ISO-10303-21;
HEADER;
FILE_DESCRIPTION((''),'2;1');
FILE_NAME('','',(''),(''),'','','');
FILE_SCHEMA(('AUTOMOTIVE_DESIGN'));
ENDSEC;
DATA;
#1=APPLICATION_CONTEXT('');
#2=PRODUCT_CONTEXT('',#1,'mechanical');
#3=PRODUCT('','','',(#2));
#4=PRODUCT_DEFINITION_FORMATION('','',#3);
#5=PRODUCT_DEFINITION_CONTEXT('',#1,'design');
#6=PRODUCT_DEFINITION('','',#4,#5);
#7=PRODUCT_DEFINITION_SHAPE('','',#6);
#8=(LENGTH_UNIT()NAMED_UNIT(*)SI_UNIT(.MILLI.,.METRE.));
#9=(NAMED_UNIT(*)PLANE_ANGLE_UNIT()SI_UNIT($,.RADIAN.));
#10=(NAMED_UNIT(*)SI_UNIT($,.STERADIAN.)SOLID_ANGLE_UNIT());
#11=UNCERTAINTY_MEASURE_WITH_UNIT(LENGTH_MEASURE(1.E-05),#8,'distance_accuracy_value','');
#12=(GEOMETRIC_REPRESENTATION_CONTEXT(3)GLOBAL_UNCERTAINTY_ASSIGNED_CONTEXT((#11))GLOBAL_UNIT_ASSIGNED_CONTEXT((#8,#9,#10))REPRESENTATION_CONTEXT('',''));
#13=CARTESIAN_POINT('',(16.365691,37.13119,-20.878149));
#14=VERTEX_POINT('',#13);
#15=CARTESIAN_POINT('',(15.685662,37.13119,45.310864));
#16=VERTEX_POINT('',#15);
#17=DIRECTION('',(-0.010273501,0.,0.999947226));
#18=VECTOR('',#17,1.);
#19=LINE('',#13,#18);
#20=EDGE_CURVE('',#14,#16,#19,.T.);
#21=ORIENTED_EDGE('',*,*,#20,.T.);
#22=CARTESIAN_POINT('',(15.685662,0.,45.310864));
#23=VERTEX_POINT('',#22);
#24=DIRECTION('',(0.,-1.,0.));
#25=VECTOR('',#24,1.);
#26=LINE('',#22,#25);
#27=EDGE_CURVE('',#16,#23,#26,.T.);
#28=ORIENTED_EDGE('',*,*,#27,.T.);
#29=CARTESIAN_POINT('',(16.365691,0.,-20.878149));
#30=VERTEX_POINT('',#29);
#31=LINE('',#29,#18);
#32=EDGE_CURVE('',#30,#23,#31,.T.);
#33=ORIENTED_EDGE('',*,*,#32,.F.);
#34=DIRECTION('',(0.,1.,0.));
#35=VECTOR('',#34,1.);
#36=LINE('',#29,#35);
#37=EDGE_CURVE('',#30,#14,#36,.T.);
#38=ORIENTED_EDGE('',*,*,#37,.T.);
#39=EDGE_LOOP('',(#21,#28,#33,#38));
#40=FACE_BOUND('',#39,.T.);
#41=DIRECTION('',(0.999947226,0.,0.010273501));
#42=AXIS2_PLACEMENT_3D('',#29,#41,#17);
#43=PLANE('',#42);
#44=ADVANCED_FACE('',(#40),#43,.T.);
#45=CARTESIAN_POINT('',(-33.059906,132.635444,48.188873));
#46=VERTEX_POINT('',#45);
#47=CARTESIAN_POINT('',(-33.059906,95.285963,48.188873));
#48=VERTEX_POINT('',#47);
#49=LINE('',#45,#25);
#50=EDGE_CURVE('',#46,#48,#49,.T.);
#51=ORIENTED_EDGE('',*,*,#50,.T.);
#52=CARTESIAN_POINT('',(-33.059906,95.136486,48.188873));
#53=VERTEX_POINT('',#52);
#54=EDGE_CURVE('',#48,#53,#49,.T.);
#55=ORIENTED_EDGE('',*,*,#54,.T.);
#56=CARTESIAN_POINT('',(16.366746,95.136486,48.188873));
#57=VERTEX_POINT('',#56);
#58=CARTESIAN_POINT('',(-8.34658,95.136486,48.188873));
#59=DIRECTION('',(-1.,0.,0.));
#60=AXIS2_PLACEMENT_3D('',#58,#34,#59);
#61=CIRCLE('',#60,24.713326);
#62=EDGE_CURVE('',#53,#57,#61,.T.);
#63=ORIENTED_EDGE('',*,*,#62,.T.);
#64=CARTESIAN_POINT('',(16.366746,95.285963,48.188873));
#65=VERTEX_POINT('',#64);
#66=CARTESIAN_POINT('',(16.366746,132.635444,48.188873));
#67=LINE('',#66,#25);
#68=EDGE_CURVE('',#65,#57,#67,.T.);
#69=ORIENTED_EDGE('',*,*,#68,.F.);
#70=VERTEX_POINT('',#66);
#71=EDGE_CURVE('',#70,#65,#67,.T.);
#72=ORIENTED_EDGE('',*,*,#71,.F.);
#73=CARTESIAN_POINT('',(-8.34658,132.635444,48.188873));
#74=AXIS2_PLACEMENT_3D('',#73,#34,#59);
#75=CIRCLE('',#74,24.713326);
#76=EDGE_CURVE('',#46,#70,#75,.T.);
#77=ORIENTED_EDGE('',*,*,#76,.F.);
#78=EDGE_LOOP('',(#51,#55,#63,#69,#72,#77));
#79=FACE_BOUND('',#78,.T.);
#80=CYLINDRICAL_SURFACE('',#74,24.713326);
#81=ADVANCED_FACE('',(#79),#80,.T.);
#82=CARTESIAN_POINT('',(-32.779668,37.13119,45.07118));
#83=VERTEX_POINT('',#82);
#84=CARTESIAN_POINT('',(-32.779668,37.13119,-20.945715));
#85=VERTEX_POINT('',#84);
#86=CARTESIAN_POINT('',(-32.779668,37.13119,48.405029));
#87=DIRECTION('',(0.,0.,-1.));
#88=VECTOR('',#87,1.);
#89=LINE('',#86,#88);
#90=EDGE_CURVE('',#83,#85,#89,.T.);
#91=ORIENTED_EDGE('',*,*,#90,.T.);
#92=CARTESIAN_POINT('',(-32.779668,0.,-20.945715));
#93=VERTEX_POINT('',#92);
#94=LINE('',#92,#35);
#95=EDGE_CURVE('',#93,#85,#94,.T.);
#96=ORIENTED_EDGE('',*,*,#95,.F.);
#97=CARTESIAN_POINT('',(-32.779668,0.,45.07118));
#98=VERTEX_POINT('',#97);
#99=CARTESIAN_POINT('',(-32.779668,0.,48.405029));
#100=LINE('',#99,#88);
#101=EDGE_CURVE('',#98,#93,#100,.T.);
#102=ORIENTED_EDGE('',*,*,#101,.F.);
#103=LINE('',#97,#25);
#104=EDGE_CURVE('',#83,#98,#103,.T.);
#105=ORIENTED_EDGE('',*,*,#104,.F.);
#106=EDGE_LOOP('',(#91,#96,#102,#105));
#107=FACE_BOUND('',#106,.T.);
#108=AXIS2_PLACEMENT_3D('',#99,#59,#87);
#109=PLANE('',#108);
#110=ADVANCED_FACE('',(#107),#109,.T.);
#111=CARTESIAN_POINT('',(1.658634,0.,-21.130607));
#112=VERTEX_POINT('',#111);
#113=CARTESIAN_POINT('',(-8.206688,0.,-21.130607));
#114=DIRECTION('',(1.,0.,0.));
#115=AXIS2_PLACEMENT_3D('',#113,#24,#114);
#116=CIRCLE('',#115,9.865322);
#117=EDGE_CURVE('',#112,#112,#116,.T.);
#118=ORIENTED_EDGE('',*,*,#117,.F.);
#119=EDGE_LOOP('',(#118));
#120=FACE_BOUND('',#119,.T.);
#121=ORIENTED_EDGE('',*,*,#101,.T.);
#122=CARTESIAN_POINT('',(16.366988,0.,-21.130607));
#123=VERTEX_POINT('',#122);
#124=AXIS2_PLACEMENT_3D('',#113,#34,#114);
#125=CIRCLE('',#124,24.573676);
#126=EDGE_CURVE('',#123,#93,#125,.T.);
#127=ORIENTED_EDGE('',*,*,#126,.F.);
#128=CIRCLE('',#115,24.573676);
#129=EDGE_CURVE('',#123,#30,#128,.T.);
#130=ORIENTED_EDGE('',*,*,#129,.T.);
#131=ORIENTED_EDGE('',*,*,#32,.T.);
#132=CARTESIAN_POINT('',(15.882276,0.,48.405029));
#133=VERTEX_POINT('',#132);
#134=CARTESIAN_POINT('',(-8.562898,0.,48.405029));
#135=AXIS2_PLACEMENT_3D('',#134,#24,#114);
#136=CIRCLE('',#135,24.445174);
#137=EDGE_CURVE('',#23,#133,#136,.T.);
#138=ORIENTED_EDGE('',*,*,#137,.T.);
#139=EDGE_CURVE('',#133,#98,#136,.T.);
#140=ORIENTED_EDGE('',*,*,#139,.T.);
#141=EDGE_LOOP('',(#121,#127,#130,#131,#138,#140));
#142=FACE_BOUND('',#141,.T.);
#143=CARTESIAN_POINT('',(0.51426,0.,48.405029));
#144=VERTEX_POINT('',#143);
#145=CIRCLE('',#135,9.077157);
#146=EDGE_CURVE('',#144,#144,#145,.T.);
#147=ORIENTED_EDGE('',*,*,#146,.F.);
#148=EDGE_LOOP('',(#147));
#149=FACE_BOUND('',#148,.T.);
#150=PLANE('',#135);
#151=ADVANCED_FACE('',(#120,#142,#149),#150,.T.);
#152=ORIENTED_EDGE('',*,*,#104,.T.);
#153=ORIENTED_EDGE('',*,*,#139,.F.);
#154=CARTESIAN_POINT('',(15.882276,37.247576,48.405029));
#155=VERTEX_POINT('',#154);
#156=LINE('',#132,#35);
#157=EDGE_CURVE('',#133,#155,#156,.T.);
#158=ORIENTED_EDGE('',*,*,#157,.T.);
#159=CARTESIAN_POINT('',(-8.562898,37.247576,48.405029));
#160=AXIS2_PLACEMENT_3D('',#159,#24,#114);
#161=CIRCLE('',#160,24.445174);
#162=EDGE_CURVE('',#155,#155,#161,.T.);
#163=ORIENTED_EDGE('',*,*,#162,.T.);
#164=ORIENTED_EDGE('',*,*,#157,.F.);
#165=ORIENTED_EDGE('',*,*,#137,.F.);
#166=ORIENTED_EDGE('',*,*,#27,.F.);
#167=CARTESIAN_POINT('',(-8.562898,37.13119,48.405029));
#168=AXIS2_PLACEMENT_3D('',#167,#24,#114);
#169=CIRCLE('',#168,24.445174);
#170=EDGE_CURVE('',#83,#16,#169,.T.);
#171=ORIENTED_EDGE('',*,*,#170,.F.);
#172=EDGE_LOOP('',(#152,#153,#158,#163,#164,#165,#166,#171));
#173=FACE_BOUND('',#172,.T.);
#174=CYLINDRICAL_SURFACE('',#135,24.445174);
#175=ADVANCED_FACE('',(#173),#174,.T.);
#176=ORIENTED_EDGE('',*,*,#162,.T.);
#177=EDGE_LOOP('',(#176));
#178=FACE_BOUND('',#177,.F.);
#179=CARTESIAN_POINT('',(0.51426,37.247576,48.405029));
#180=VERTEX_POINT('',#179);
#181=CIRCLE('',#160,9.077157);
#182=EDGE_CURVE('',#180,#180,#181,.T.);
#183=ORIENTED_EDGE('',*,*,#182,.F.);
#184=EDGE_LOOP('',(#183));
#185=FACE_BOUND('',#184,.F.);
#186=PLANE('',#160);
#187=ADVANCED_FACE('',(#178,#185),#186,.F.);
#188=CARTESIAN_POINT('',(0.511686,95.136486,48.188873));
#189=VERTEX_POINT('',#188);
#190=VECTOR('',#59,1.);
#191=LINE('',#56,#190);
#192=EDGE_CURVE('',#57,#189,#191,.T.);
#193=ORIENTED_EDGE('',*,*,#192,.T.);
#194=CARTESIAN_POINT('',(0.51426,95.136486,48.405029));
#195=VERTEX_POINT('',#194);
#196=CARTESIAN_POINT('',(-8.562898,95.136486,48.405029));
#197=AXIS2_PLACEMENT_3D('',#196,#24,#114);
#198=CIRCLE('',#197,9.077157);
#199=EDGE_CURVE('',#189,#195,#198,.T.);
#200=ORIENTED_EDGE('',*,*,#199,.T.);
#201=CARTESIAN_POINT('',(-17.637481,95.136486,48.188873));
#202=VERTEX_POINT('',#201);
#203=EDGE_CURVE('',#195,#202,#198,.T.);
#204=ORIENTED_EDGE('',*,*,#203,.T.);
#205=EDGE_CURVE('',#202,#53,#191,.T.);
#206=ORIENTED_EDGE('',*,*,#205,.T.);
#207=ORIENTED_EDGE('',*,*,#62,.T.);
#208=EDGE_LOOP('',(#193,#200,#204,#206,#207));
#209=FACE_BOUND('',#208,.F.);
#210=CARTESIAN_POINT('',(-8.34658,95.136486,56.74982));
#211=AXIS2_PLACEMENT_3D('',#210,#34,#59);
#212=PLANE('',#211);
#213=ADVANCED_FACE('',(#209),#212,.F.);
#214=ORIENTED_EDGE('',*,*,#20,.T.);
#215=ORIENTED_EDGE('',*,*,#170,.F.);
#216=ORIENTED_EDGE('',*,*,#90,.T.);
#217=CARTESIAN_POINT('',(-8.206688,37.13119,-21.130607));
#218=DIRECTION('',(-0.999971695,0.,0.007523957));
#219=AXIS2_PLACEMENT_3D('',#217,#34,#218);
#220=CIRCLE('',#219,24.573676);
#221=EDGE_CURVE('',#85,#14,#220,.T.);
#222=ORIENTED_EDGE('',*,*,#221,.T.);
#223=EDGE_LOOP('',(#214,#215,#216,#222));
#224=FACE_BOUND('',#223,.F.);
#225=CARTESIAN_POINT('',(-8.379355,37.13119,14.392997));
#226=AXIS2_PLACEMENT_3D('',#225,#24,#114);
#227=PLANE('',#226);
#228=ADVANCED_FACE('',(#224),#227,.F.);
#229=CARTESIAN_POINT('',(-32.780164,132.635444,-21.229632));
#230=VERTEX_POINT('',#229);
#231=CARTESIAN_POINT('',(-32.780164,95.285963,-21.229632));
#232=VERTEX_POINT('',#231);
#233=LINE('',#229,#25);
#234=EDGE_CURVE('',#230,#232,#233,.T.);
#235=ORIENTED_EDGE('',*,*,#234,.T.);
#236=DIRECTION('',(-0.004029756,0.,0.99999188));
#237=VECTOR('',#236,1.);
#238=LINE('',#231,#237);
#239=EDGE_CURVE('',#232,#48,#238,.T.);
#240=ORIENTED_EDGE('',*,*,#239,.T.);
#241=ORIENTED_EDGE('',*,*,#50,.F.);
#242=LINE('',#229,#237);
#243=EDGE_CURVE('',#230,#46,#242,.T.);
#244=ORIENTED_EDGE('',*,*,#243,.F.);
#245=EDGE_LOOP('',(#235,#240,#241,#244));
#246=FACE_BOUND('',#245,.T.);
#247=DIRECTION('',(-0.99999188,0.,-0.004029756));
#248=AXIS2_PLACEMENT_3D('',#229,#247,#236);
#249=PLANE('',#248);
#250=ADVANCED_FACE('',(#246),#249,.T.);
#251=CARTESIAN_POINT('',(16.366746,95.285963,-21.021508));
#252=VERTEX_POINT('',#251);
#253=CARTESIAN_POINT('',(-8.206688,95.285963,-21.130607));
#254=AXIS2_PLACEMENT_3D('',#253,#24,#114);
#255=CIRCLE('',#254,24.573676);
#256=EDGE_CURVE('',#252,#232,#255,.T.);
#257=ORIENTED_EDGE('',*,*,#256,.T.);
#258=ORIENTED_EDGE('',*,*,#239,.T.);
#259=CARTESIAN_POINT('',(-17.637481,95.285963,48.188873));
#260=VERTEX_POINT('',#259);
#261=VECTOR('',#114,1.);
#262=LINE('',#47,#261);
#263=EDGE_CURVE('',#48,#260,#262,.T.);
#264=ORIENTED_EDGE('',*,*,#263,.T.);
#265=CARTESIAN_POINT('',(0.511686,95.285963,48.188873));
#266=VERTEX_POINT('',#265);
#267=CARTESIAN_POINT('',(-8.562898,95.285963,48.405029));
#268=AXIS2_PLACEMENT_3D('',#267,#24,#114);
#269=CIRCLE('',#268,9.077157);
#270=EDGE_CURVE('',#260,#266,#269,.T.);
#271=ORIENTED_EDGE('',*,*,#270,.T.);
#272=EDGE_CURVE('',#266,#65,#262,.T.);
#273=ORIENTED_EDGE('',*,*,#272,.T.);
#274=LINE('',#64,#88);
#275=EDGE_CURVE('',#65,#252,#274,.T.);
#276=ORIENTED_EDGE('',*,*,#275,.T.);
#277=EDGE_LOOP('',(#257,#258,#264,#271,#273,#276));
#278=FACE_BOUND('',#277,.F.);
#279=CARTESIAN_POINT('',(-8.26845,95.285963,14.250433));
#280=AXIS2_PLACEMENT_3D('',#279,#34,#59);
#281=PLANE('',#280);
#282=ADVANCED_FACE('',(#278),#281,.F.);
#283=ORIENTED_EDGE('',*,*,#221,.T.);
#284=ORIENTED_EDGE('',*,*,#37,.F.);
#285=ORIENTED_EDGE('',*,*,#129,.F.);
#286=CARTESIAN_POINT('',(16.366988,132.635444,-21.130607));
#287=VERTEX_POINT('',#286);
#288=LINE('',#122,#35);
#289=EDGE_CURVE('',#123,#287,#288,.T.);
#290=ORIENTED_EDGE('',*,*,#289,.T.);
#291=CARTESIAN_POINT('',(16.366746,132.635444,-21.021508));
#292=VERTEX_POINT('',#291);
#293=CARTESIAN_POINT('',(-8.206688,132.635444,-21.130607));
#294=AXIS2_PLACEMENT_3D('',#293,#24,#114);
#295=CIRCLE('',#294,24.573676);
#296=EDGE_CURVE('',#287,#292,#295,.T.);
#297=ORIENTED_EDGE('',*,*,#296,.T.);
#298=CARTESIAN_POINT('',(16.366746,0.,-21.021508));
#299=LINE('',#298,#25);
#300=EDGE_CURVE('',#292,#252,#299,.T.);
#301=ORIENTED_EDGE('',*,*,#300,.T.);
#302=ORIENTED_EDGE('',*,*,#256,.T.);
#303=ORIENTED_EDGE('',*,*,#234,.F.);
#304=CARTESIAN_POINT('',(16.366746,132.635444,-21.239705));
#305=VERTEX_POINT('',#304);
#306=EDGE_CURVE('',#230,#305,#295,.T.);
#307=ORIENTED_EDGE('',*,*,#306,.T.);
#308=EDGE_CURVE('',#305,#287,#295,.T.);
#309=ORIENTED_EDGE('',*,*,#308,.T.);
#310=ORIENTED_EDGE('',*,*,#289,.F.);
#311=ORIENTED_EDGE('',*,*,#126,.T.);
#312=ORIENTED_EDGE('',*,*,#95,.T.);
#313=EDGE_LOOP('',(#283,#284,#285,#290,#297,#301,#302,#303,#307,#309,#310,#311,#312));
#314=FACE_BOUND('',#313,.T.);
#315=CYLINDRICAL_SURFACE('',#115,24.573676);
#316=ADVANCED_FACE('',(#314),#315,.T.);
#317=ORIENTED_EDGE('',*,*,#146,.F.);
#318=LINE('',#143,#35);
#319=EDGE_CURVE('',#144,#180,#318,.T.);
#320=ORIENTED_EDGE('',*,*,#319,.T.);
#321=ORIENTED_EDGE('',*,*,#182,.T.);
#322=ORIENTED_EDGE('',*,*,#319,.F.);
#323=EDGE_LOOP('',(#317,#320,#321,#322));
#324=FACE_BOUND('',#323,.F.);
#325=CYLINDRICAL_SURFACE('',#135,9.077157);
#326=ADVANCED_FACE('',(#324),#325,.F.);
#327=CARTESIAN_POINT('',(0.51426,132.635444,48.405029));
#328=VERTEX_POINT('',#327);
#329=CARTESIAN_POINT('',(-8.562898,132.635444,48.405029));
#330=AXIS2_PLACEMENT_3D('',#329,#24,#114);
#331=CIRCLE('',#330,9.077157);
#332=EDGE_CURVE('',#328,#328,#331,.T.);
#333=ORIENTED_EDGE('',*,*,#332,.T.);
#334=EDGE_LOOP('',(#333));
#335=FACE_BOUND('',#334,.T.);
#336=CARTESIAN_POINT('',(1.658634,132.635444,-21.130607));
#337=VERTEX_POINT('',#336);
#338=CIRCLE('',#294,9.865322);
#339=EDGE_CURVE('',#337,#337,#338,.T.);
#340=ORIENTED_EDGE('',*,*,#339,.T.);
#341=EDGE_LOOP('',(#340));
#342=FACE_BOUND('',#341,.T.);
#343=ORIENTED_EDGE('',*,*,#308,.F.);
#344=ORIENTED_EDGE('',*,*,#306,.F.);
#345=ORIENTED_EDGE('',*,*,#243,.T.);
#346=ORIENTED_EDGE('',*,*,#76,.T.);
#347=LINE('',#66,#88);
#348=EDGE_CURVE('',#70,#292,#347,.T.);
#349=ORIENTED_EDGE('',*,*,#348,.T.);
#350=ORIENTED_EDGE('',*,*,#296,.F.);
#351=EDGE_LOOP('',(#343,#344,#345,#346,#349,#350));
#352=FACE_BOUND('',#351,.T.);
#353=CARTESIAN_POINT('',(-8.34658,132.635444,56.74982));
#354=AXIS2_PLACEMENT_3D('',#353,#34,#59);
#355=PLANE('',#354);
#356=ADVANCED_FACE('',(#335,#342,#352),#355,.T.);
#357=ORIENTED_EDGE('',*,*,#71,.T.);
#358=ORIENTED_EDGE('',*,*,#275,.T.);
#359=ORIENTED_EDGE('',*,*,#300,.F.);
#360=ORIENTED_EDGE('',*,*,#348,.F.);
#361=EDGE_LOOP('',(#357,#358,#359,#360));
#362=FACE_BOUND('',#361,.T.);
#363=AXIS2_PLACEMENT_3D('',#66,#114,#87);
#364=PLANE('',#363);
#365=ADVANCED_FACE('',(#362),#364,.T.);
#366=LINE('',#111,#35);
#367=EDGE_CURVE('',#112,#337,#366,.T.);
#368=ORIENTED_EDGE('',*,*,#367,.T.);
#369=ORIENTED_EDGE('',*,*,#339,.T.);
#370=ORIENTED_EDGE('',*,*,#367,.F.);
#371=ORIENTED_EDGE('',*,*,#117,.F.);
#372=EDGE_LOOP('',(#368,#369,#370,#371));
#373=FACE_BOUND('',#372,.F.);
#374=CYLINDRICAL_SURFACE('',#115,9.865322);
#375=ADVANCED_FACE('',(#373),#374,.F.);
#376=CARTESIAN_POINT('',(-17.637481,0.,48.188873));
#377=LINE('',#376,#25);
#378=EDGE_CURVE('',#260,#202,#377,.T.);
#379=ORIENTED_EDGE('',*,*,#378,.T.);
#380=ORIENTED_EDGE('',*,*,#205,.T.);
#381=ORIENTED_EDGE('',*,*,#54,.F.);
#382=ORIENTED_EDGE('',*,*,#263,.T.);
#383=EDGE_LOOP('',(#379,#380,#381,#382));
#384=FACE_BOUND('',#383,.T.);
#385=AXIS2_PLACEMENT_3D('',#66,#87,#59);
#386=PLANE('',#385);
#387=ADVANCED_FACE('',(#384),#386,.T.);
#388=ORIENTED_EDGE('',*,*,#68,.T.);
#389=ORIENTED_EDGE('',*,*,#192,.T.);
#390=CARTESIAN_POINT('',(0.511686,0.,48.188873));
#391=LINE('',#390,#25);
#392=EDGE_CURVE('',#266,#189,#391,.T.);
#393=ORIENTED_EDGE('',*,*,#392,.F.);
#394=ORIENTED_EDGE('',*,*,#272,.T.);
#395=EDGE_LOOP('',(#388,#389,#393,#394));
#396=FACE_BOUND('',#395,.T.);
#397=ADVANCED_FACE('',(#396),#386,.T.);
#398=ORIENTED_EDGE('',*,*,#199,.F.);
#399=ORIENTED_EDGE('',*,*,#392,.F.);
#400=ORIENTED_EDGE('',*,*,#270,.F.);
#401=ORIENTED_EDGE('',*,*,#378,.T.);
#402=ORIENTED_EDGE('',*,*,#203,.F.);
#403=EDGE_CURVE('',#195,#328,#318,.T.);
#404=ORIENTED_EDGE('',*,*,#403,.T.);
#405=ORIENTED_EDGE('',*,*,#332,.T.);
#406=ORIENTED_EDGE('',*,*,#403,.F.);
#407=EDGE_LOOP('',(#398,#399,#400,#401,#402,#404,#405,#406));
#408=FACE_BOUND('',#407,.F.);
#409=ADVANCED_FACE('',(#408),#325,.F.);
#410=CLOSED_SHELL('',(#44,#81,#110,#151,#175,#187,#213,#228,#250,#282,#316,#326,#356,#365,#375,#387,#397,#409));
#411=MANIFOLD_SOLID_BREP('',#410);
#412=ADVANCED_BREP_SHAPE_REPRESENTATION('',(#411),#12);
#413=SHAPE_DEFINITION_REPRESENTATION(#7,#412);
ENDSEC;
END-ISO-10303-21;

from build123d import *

# Parameters (mm, degrees)
F0_R      = 24.5736759636
F1_DEPTH  = 132.6354444027
F3_DEPTH  = 37.1311903
F5_DEPTH  = 37.3494811356
F6_R      = 24.4451738852
F7_DEPTH  = 37.2475758195
F9_DEPTH  = 37.4989584088
F10_R     = 9.0771573753
F11_DEPTH = 132.6364444027
F12_R     = 9.865321572
F13_DEPTH = 132.6364444027


with BuildPart() as f1:
    # F0 (on Front) → F1 (new body)
    with BuildSketch(Plane.XZ):
        with Locations((-8.2066878676, -21.1306065321)):
            Circle(F0_R)
    extrude(amount=-F1_DEPTH)

    # F2 (on face) → F3 (join)
    with BuildSketch(Plane.XZ):
        with BuildLine():
            ThreePointArc((-32.7796682644, -20.9457152509), (-32.7803638313, -21.1306065321), (-32.7796682644, -21.3154978133))
            Line((-32.7796682644, -21.3154978133), (-32.7796682644, -20.9457152509))
        make_face()
        with BuildLine():
            Line((-32.7796682644, 48.4050292678), (-32.7796682644, -20.9457152509))
            ThreePointArc((-32.7796682644, -20.9457152509), (-8.240472411, 3.4430462076), (16.3656912495, -20.8781488397))
            Line((16.3656912495, -20.8781488397), (15.6538728625, 48.4050292678))
            Line((15.6538728625, 48.4050292678), (-32.7796682644, 48.4050292678))
        make_face()
    extrude(amount=-F3_DEPTH)

    # F4 (on face) → F5 (join)
    with BuildSketch(Plane(origin=(0, 132.6354444027, 0), x_dir=(-1, 0, 0), z_dir=(0, 1, 0))):
        with BuildLine():
            Line((-16.3667459156, 48.1888727813), (-16.3667459156, -21.2397049542))
            ThreePointArc((-16.3667459156, -21.2397049542), (8.2016739749, 3.3337506723), (32.7801643053, -21.2296324502))
            Line((32.7801643053, -21.2296324502), (33.0599062145, 48.1888727813))
            Line((33.0599062145, 48.1888727813), (-16.3667459156, 48.1888727813))
        make_face()
    extrude(amount=-F5_DEPTH)

    # F6 (on face) → F7 (join)
    with BuildSketch(Plane.XZ):
        with Locations((-8.562897701, 48.4050292678)):
            Circle(F6_R)
    extrude(amount=-F7_DEPTH)

    # F8 (on face) → F9 (join)
    with BuildSketch(Plane(origin=(0, 132.6354444027, 0), x_dir=(-1, 0, 0), z_dir=(0, 1, 0))):
        with BuildLine():
            Line((-16.3667459156, 48.1888727813), (33.0599062145, 48.1888727813))
            ThreePointArc((33.0599062145, 48.1888727813), (8.3465801494, 72.9021988463), (-16.3667459156, 48.1888727813))
        make_face()
    extrude(amount=-F9_DEPTH)

    # F10 (on face) → F11 (cut, through all)
    with BuildSketch(Plane.XZ):
        with Locations((-8.562897701, 48.4050292678)):
            Circle(F10_R)
    extrude(amount=-F11_DEPTH, mode=Mode.SUBTRACT)

    # F12 (on face) → F13 (cut, through all)
    with BuildSketch(Plane.XZ):
        with Locations((-8.2066878676, -21.1306065321)):
            Circle(F12_R)
    extrude(amount=-F13_DEPTH, mode=Mode.SUBTRACT)


solid = f1.part
